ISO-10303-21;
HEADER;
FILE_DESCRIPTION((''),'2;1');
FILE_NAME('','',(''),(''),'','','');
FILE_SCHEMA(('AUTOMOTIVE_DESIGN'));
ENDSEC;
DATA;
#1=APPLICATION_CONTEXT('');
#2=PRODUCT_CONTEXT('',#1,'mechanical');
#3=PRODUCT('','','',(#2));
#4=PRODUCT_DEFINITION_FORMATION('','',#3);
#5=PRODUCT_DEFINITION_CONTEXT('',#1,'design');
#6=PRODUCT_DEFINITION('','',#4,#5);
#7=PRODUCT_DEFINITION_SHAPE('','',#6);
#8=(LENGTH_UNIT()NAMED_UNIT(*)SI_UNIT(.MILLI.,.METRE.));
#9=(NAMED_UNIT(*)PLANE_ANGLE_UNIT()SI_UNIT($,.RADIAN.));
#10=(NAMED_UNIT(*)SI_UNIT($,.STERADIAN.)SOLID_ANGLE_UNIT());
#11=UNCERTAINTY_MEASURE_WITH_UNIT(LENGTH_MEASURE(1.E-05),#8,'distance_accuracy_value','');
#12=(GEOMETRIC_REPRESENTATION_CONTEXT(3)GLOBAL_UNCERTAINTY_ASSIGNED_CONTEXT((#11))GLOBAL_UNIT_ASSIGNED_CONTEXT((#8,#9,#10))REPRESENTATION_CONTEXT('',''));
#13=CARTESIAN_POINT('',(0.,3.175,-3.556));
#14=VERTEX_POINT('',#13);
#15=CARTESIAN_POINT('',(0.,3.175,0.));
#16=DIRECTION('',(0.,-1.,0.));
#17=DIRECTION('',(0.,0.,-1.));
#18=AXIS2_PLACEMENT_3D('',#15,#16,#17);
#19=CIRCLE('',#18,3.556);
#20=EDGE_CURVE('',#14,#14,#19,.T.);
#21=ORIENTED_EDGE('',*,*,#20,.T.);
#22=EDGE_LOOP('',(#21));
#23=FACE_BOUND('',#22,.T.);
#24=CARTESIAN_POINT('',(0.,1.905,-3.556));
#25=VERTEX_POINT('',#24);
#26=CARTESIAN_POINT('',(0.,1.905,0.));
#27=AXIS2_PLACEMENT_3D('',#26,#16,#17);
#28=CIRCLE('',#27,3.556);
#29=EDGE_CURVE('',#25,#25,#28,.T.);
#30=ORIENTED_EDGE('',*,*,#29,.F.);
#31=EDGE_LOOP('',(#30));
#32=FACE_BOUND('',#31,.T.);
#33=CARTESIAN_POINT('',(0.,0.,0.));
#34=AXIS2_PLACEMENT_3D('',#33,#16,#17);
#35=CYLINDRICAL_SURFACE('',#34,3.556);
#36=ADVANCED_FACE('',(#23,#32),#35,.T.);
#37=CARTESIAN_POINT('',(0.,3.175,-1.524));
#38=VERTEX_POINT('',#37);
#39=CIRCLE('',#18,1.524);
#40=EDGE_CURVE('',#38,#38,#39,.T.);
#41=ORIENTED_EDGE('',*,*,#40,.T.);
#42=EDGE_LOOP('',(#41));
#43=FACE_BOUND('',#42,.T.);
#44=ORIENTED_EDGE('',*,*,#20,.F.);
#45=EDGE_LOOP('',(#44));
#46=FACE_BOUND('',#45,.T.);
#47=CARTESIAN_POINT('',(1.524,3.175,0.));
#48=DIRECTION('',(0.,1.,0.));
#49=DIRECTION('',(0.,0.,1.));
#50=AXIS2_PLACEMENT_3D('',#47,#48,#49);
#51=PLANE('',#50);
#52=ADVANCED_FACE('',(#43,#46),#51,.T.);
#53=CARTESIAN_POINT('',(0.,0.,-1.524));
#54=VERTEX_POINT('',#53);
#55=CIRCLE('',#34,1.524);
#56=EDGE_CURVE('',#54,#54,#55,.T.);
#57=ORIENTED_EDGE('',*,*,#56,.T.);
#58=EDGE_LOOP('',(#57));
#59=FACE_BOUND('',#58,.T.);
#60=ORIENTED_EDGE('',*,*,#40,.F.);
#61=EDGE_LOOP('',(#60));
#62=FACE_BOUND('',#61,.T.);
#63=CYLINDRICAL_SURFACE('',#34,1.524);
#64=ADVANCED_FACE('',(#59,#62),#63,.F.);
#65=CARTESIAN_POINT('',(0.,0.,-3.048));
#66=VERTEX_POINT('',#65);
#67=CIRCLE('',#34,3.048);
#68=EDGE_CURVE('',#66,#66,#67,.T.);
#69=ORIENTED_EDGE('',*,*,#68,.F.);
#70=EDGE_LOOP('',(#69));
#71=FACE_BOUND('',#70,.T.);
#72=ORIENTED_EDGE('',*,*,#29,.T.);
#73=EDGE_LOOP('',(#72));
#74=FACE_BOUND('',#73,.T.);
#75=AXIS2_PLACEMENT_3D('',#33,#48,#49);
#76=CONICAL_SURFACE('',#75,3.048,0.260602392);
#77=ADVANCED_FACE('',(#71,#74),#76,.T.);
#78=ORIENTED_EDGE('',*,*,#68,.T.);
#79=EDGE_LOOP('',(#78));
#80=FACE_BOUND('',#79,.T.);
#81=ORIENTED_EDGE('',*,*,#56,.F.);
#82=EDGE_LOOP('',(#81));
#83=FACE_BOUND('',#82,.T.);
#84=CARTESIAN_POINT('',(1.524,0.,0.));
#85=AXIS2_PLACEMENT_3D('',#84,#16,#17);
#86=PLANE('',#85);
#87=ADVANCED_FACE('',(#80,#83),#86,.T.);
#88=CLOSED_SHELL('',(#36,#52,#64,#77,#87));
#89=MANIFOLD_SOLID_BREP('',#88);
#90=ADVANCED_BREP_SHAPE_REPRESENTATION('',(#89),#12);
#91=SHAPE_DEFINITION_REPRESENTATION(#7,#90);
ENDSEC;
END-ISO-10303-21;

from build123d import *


with BuildPart() as part:
    # Sketch1 → Revolve1 (revolve)
    with BuildSketch(Plane.XY):
        Polygon((3.556, 1.905), (3.048, 0), (1.524, 0), (1.524, 3.175), (3.048, 3.175), (3.556, 3.175), align=None)
    revolve(axis=Axis((0, 0, 0), (0, 1, 0)))


solid = part.part
